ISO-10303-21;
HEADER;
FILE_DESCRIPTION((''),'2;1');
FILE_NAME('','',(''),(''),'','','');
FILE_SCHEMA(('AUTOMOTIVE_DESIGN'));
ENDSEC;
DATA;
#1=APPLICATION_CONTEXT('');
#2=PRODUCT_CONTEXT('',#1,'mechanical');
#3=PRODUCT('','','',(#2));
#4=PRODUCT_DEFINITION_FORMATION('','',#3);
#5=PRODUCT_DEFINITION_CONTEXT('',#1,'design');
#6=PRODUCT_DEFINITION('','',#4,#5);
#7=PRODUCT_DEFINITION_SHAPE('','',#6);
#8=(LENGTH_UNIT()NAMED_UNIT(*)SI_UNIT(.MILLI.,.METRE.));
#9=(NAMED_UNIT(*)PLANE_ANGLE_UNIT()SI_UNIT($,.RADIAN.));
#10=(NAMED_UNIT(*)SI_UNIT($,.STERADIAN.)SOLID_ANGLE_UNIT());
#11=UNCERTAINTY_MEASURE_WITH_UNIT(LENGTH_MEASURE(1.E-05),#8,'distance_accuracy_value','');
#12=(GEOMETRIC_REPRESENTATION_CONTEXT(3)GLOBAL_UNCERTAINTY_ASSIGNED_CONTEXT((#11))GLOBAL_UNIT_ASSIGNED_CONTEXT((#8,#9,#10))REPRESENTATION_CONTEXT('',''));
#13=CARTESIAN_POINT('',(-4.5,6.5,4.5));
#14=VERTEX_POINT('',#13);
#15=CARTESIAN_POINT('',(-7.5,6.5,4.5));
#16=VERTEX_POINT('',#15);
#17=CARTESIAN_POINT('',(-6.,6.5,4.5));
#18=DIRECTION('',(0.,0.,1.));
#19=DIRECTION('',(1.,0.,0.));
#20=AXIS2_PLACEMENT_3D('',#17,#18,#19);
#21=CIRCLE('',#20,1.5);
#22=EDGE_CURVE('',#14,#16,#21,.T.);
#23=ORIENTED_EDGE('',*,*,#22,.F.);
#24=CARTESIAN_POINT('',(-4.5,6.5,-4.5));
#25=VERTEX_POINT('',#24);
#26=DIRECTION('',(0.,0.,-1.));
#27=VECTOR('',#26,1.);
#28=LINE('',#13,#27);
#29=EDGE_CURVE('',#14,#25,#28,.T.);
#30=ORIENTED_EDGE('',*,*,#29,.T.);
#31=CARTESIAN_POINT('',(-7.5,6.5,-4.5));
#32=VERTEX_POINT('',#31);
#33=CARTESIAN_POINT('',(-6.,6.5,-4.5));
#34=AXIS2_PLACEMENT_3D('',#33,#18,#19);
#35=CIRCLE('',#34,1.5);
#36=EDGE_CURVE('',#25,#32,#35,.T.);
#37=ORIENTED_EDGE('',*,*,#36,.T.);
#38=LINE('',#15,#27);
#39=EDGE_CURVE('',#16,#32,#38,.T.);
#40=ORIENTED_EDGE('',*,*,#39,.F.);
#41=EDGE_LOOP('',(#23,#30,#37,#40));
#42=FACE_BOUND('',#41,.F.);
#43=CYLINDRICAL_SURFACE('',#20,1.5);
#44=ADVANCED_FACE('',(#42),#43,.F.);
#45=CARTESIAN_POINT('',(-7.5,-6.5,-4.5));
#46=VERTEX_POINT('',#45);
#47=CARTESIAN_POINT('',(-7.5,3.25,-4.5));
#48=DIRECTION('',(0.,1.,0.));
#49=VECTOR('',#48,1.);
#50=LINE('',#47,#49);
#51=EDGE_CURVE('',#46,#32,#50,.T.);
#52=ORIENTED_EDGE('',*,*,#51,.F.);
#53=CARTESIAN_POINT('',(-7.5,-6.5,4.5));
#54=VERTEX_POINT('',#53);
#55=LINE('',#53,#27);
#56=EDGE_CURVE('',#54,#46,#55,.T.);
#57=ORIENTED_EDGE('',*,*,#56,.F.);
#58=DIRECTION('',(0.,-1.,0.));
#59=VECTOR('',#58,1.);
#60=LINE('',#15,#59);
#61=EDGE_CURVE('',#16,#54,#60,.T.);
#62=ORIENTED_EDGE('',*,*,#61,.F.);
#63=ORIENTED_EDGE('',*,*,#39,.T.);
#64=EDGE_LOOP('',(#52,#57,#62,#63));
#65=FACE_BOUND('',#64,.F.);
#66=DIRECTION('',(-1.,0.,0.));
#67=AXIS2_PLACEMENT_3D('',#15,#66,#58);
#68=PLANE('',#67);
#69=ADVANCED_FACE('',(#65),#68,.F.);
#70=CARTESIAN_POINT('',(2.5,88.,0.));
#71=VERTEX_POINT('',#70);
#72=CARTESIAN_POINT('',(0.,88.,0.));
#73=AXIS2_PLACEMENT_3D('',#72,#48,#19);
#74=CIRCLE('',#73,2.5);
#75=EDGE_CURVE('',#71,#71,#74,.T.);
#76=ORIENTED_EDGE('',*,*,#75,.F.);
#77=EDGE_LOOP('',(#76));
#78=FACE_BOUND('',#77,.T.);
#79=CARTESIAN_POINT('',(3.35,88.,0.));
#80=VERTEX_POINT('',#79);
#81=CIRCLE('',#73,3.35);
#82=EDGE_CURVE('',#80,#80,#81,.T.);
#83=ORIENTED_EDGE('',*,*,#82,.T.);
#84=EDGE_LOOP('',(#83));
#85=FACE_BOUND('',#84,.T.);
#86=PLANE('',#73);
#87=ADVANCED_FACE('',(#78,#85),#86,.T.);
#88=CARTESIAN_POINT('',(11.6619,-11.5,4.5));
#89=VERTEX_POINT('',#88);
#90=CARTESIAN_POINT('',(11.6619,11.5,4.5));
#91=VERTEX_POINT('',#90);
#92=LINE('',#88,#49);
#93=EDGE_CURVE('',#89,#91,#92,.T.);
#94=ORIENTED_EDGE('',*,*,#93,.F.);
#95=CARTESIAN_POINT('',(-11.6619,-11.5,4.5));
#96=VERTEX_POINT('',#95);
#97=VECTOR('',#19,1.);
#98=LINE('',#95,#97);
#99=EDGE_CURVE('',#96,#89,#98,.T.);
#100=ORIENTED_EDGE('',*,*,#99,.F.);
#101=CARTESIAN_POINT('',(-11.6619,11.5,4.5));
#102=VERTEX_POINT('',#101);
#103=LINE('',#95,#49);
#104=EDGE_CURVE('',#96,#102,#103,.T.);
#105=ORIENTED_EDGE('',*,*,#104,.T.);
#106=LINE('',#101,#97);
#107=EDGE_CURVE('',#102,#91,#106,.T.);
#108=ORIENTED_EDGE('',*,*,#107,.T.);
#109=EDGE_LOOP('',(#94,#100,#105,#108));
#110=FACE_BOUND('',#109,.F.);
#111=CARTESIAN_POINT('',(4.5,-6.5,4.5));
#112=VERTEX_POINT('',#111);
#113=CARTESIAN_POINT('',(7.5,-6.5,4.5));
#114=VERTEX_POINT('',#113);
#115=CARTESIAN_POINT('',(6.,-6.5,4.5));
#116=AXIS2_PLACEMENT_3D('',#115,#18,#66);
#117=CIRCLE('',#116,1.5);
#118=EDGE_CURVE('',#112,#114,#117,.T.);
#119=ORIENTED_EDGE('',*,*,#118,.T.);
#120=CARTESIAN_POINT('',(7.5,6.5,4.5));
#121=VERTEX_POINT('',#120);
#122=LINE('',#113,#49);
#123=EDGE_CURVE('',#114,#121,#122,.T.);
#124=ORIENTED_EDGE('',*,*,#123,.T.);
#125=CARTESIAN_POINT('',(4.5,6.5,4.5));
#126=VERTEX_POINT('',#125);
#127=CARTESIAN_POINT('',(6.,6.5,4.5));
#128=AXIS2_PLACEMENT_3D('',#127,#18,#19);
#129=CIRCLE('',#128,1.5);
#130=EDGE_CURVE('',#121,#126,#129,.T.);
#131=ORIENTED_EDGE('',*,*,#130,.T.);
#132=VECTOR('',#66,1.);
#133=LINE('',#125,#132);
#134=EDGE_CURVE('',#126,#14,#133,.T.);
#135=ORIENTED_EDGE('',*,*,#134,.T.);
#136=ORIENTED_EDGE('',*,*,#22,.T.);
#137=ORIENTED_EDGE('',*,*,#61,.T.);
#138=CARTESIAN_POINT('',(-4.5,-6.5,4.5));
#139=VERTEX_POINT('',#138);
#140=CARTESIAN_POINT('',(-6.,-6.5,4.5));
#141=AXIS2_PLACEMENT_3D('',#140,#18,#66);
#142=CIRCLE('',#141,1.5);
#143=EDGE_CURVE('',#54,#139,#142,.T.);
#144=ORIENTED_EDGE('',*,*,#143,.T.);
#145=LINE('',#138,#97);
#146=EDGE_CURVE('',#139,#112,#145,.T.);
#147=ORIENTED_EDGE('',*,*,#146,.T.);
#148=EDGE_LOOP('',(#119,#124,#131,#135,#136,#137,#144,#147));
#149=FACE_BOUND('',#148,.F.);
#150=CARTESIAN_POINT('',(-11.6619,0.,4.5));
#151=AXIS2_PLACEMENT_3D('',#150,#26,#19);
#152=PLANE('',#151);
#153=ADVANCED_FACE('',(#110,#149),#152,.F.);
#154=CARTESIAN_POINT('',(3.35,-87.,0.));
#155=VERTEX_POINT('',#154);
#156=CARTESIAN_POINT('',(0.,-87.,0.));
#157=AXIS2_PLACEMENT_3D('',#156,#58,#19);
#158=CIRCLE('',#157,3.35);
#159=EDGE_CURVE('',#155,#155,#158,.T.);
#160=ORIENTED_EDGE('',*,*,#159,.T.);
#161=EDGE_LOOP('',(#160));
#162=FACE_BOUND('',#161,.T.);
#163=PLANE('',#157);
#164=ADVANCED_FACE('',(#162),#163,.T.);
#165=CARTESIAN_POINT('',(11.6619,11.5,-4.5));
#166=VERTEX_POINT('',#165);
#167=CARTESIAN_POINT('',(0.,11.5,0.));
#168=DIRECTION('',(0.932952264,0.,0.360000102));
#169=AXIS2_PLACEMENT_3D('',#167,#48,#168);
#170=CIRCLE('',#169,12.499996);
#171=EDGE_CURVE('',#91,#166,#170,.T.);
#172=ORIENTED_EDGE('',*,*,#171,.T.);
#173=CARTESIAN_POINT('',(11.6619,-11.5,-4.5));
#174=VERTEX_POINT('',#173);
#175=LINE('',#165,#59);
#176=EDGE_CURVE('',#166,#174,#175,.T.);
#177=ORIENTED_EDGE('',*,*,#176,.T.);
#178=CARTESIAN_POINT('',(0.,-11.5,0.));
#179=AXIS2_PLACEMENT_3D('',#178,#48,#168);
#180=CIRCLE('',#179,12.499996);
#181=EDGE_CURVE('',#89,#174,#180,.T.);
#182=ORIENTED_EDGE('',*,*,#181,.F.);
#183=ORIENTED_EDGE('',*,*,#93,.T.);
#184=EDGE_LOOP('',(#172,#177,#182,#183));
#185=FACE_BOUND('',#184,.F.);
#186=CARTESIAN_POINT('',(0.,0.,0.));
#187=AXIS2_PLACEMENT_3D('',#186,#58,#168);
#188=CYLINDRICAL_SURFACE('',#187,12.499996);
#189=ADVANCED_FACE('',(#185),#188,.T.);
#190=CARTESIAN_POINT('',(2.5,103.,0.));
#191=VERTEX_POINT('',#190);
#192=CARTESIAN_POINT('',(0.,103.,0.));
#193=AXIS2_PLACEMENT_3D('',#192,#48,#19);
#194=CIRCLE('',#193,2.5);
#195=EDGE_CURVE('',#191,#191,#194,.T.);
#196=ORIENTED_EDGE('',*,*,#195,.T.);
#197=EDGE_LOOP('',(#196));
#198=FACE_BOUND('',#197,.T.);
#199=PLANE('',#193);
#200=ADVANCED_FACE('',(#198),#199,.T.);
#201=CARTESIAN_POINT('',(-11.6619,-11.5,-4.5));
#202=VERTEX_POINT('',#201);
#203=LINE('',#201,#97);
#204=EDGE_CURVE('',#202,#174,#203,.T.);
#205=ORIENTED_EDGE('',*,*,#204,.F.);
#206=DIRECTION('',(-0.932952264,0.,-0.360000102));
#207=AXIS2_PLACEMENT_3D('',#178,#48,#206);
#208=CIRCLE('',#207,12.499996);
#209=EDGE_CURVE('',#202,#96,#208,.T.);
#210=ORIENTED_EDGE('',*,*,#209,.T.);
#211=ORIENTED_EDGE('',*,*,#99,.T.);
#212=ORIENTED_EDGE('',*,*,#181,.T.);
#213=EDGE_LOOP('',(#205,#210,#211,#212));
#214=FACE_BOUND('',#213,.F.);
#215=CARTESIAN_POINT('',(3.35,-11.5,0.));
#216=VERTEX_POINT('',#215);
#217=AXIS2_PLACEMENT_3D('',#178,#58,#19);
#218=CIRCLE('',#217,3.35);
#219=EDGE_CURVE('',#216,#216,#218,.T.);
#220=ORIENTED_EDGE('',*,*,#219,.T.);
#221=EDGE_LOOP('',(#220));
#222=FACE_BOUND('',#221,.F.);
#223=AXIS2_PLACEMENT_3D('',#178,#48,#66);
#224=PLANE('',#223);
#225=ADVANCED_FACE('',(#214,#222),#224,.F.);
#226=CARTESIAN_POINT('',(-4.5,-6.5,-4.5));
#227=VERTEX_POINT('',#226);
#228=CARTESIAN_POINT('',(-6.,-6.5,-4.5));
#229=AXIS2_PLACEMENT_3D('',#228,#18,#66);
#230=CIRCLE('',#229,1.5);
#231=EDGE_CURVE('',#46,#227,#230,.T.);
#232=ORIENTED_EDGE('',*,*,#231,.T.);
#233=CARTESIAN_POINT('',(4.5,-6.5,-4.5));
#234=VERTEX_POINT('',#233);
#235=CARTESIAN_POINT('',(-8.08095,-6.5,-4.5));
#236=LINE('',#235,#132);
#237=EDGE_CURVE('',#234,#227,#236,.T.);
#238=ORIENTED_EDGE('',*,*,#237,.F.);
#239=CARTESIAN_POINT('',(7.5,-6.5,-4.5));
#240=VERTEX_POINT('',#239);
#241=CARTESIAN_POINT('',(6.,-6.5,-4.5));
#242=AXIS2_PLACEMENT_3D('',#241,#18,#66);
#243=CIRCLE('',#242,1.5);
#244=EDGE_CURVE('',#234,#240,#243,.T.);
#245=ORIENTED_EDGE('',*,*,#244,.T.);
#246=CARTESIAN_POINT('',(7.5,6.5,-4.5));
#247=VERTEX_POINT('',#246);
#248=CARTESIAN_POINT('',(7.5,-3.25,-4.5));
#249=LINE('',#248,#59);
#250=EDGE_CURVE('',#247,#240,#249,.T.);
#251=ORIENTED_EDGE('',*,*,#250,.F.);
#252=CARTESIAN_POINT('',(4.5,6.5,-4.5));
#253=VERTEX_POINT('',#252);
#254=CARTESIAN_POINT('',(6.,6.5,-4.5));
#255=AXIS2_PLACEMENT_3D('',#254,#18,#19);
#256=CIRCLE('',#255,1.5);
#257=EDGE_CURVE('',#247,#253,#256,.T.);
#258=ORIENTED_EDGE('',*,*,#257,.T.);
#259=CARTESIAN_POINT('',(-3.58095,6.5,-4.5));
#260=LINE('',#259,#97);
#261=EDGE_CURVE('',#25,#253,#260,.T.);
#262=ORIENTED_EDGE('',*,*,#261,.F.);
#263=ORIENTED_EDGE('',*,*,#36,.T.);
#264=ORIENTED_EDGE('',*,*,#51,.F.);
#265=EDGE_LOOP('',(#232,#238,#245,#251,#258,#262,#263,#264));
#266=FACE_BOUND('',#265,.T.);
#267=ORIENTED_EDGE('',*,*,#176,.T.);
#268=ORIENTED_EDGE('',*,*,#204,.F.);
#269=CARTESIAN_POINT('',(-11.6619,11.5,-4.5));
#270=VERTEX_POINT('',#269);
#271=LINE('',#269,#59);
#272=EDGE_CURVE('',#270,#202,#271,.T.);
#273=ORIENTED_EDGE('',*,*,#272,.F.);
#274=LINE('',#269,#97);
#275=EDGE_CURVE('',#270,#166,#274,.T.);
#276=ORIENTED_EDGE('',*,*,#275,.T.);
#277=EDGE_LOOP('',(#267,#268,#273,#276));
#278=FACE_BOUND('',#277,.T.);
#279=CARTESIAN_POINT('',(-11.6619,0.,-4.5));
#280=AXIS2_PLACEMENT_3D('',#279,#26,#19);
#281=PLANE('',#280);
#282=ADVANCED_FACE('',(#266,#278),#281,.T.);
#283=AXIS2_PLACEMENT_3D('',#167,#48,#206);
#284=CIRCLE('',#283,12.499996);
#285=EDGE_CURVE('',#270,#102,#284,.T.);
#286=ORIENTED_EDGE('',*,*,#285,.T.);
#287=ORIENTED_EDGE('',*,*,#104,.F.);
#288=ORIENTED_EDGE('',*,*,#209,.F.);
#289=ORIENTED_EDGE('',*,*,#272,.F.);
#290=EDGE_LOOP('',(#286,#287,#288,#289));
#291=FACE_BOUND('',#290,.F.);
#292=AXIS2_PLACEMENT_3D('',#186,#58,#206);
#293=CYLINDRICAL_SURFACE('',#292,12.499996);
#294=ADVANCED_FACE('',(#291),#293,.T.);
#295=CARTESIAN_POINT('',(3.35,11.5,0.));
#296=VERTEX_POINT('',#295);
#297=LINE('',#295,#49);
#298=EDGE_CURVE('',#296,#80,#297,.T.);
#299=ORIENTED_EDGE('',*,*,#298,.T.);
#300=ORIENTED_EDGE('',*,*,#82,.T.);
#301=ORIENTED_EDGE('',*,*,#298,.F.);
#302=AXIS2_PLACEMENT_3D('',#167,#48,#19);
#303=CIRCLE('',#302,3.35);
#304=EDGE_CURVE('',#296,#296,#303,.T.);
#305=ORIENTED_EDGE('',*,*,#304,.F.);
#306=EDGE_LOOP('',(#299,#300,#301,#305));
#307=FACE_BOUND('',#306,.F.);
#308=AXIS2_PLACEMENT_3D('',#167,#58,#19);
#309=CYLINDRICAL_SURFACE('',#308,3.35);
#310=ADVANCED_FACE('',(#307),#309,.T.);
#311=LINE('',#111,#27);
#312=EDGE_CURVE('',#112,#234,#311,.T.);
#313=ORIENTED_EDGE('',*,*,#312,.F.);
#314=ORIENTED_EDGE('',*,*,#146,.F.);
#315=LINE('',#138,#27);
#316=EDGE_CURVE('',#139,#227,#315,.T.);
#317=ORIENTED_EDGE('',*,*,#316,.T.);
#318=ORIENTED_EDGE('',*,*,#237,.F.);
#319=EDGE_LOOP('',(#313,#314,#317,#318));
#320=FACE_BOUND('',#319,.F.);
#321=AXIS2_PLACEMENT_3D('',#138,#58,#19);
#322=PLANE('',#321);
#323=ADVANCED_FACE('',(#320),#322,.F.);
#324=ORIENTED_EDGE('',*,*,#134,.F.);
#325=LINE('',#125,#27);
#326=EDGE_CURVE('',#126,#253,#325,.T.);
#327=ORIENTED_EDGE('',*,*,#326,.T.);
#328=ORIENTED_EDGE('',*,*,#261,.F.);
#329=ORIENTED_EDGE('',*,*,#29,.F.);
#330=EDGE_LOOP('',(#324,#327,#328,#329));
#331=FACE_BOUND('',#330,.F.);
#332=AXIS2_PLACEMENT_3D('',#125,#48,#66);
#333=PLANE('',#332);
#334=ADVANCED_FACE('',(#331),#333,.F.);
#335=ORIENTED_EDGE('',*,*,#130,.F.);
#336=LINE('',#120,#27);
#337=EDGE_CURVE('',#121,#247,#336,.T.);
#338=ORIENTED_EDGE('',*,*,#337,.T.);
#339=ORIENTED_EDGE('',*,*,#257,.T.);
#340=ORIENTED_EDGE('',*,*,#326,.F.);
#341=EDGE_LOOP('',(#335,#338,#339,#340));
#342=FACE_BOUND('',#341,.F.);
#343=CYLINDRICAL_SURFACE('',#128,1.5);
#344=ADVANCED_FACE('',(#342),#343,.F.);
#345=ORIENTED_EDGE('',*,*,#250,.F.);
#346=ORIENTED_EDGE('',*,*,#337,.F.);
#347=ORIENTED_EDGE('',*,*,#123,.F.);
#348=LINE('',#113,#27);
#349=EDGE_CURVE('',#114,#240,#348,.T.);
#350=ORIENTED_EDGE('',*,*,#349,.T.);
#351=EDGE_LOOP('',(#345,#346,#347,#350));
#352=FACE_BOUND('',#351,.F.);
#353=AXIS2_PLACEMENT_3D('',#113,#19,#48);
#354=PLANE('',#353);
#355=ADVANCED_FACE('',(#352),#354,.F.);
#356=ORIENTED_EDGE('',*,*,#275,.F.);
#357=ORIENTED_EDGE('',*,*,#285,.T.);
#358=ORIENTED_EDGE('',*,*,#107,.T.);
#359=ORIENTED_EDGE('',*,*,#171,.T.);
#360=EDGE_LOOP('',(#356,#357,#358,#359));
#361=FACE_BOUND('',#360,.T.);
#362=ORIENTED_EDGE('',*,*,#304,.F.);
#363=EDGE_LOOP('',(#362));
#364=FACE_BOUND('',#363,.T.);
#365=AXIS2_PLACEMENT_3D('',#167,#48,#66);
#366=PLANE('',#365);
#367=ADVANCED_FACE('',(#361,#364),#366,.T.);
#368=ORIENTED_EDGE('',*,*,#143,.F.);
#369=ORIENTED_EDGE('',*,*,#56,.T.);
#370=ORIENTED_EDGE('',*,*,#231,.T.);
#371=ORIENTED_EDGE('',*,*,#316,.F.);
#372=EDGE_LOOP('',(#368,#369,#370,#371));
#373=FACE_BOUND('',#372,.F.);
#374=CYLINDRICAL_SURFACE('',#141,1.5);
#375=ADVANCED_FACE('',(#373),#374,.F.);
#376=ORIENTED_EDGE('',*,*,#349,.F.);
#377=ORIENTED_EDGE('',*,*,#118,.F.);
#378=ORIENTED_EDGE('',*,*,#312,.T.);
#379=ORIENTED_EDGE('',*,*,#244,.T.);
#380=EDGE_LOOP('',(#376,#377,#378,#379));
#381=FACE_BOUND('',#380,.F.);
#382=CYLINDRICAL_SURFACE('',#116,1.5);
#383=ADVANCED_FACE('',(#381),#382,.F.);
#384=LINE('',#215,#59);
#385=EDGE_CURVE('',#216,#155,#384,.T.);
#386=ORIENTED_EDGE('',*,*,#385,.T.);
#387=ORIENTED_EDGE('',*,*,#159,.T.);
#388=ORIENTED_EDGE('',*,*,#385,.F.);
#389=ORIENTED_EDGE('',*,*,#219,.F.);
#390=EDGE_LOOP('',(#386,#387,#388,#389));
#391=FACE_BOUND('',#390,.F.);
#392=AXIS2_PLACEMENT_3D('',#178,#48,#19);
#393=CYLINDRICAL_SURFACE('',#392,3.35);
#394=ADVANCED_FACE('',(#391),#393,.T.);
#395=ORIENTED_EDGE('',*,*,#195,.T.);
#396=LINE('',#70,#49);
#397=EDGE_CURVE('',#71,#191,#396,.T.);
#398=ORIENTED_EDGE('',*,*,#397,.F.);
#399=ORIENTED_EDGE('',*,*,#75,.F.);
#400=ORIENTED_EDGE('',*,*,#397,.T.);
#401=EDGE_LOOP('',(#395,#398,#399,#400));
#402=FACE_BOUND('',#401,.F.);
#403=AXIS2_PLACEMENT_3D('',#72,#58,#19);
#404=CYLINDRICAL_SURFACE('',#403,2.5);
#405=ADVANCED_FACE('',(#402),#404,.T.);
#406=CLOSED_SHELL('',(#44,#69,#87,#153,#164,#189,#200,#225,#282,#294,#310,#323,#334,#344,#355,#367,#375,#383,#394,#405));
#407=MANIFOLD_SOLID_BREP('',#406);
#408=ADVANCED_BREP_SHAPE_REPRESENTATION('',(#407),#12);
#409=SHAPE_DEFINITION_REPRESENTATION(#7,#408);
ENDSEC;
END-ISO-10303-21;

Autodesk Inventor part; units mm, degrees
ref_plane "YZ Plane" through (0, 0, 0) normal (1, 0, 0) x (0, 1, 0)
ref_plane "XZ Plane" through (0, 0, 0) normal (0, 1, 0) x (-1, 0, 0)
ref_plane "XY Plane" through (0, 0, 0) normal (0, 0, 1) x (1, 0, 0)
sketch "Sketch1" plane through (0, 0, 0) normal (0, 1, 0) x (-1, 0, 0)
  line L0 (12.5, 0) -> (12.5, 4.5) construction
  line L1 (12.5, 4.5) -> (12.5, -4.5) construction
  line L2 (11.6619, 4.5) -> (-11.6619, 4.5)
  line L3 (11.6619, -4.5) -> (-11.6619, -4.5)
  arc A0 (11.6619, -4.5) -> (11.6619, 4.5) centre (0, 0) ccw
  arc A1 (-11.6619, 4.5) -> (-11.6619, -4.5) centre (0, 0) ccw
  dimension "d1" = 4.5
  dimension "d2" = 9
extrude "Extrusion1" add sketch "Sketch1" along normal mid plane 23
sketch "Sketch2" plane through (-11.6619, -11.5, 4.5) normal (0, 0, 1) x (1, 0, 0)
  line L0 (7.1619, 5) -> (16.1619, 5)
  line L1 (19.1619, 5) -> (19.1619, 18)
  line L2 (4.1619, 18) -> (4.1619, 5)
  line L3 (11.6619, 11.5) -> (19.1619, 18) construction
  line L4 (19.1619, 5) -> (11.6619, 11.5) construction
  line L5 (4.1619, 5) -> (5.6619, 5) construction
  arc A0 (4.1619, 5) -> (7.1619, 5) centre (5.6619, 5) ccw
  line L6 (4.1619, 18) -> (5.6619, 18) construction
  arc A1 (7.1619, 18) -> (4.1619, 18) centre (5.6619, 18) ccw
  line L7 (19.1619, 5) -> (17.6619, 5) construction
  arc A2 (16.1619, 5) -> (19.1619, 5) centre (17.6619, 5) ccw
  arc A3 (17.6619, 6.5) -> (17.4487, 6.4848) centre (17.6619, 5) ccw
  arc A4 (19.1619, 18) -> (16.1619, 18) centre (17.6619, 18) ccw
  arc A5 (17.4487, 16.5152) -> (17.6619, 16.5) centre (17.6619, 18) ccw
  line L8 (16.1619, 18) -> (7.1619, 18)
  dimension "d8" = 1.5
extrude "Extrusion2" cut sketch "Sketch2" against normal through all
sketch "Sketch3" plane through (0, -11.5, 0) normal (0, -1, 0) x (1, 0, 0)
  circle A0 centre (0, 0) radius 3.35
  dimension "d11" = 6.7
extrude "Extrusion3" add sketch "Sketch3" along normal blind 75.5
sketch "Sketch4" plane through (0, 11.5, 0) normal (0, 1, 0) x (1, 0, 0)
  circle A0 centre (0, 0) radius 3.35
  dimension "d14" = 6.7
extrude "Extrusion4" add sketch "Sketch4" along normal blind 76.5
sketch "Sketch5" plane through (0, 88, 0) normal (0, 1, 0) x (1, 0, 0)
  circle A0 centre (0, 0) radius 2.5
  dimension "d17" = 5
extrude "Extrusion5" add sketch "Sketch5" along normal blind 15
thread "Thread1" size "M5x0.8" class "6g" standard "ANSI Metric M Profile" length 9
properties part number "Asta pistone"
